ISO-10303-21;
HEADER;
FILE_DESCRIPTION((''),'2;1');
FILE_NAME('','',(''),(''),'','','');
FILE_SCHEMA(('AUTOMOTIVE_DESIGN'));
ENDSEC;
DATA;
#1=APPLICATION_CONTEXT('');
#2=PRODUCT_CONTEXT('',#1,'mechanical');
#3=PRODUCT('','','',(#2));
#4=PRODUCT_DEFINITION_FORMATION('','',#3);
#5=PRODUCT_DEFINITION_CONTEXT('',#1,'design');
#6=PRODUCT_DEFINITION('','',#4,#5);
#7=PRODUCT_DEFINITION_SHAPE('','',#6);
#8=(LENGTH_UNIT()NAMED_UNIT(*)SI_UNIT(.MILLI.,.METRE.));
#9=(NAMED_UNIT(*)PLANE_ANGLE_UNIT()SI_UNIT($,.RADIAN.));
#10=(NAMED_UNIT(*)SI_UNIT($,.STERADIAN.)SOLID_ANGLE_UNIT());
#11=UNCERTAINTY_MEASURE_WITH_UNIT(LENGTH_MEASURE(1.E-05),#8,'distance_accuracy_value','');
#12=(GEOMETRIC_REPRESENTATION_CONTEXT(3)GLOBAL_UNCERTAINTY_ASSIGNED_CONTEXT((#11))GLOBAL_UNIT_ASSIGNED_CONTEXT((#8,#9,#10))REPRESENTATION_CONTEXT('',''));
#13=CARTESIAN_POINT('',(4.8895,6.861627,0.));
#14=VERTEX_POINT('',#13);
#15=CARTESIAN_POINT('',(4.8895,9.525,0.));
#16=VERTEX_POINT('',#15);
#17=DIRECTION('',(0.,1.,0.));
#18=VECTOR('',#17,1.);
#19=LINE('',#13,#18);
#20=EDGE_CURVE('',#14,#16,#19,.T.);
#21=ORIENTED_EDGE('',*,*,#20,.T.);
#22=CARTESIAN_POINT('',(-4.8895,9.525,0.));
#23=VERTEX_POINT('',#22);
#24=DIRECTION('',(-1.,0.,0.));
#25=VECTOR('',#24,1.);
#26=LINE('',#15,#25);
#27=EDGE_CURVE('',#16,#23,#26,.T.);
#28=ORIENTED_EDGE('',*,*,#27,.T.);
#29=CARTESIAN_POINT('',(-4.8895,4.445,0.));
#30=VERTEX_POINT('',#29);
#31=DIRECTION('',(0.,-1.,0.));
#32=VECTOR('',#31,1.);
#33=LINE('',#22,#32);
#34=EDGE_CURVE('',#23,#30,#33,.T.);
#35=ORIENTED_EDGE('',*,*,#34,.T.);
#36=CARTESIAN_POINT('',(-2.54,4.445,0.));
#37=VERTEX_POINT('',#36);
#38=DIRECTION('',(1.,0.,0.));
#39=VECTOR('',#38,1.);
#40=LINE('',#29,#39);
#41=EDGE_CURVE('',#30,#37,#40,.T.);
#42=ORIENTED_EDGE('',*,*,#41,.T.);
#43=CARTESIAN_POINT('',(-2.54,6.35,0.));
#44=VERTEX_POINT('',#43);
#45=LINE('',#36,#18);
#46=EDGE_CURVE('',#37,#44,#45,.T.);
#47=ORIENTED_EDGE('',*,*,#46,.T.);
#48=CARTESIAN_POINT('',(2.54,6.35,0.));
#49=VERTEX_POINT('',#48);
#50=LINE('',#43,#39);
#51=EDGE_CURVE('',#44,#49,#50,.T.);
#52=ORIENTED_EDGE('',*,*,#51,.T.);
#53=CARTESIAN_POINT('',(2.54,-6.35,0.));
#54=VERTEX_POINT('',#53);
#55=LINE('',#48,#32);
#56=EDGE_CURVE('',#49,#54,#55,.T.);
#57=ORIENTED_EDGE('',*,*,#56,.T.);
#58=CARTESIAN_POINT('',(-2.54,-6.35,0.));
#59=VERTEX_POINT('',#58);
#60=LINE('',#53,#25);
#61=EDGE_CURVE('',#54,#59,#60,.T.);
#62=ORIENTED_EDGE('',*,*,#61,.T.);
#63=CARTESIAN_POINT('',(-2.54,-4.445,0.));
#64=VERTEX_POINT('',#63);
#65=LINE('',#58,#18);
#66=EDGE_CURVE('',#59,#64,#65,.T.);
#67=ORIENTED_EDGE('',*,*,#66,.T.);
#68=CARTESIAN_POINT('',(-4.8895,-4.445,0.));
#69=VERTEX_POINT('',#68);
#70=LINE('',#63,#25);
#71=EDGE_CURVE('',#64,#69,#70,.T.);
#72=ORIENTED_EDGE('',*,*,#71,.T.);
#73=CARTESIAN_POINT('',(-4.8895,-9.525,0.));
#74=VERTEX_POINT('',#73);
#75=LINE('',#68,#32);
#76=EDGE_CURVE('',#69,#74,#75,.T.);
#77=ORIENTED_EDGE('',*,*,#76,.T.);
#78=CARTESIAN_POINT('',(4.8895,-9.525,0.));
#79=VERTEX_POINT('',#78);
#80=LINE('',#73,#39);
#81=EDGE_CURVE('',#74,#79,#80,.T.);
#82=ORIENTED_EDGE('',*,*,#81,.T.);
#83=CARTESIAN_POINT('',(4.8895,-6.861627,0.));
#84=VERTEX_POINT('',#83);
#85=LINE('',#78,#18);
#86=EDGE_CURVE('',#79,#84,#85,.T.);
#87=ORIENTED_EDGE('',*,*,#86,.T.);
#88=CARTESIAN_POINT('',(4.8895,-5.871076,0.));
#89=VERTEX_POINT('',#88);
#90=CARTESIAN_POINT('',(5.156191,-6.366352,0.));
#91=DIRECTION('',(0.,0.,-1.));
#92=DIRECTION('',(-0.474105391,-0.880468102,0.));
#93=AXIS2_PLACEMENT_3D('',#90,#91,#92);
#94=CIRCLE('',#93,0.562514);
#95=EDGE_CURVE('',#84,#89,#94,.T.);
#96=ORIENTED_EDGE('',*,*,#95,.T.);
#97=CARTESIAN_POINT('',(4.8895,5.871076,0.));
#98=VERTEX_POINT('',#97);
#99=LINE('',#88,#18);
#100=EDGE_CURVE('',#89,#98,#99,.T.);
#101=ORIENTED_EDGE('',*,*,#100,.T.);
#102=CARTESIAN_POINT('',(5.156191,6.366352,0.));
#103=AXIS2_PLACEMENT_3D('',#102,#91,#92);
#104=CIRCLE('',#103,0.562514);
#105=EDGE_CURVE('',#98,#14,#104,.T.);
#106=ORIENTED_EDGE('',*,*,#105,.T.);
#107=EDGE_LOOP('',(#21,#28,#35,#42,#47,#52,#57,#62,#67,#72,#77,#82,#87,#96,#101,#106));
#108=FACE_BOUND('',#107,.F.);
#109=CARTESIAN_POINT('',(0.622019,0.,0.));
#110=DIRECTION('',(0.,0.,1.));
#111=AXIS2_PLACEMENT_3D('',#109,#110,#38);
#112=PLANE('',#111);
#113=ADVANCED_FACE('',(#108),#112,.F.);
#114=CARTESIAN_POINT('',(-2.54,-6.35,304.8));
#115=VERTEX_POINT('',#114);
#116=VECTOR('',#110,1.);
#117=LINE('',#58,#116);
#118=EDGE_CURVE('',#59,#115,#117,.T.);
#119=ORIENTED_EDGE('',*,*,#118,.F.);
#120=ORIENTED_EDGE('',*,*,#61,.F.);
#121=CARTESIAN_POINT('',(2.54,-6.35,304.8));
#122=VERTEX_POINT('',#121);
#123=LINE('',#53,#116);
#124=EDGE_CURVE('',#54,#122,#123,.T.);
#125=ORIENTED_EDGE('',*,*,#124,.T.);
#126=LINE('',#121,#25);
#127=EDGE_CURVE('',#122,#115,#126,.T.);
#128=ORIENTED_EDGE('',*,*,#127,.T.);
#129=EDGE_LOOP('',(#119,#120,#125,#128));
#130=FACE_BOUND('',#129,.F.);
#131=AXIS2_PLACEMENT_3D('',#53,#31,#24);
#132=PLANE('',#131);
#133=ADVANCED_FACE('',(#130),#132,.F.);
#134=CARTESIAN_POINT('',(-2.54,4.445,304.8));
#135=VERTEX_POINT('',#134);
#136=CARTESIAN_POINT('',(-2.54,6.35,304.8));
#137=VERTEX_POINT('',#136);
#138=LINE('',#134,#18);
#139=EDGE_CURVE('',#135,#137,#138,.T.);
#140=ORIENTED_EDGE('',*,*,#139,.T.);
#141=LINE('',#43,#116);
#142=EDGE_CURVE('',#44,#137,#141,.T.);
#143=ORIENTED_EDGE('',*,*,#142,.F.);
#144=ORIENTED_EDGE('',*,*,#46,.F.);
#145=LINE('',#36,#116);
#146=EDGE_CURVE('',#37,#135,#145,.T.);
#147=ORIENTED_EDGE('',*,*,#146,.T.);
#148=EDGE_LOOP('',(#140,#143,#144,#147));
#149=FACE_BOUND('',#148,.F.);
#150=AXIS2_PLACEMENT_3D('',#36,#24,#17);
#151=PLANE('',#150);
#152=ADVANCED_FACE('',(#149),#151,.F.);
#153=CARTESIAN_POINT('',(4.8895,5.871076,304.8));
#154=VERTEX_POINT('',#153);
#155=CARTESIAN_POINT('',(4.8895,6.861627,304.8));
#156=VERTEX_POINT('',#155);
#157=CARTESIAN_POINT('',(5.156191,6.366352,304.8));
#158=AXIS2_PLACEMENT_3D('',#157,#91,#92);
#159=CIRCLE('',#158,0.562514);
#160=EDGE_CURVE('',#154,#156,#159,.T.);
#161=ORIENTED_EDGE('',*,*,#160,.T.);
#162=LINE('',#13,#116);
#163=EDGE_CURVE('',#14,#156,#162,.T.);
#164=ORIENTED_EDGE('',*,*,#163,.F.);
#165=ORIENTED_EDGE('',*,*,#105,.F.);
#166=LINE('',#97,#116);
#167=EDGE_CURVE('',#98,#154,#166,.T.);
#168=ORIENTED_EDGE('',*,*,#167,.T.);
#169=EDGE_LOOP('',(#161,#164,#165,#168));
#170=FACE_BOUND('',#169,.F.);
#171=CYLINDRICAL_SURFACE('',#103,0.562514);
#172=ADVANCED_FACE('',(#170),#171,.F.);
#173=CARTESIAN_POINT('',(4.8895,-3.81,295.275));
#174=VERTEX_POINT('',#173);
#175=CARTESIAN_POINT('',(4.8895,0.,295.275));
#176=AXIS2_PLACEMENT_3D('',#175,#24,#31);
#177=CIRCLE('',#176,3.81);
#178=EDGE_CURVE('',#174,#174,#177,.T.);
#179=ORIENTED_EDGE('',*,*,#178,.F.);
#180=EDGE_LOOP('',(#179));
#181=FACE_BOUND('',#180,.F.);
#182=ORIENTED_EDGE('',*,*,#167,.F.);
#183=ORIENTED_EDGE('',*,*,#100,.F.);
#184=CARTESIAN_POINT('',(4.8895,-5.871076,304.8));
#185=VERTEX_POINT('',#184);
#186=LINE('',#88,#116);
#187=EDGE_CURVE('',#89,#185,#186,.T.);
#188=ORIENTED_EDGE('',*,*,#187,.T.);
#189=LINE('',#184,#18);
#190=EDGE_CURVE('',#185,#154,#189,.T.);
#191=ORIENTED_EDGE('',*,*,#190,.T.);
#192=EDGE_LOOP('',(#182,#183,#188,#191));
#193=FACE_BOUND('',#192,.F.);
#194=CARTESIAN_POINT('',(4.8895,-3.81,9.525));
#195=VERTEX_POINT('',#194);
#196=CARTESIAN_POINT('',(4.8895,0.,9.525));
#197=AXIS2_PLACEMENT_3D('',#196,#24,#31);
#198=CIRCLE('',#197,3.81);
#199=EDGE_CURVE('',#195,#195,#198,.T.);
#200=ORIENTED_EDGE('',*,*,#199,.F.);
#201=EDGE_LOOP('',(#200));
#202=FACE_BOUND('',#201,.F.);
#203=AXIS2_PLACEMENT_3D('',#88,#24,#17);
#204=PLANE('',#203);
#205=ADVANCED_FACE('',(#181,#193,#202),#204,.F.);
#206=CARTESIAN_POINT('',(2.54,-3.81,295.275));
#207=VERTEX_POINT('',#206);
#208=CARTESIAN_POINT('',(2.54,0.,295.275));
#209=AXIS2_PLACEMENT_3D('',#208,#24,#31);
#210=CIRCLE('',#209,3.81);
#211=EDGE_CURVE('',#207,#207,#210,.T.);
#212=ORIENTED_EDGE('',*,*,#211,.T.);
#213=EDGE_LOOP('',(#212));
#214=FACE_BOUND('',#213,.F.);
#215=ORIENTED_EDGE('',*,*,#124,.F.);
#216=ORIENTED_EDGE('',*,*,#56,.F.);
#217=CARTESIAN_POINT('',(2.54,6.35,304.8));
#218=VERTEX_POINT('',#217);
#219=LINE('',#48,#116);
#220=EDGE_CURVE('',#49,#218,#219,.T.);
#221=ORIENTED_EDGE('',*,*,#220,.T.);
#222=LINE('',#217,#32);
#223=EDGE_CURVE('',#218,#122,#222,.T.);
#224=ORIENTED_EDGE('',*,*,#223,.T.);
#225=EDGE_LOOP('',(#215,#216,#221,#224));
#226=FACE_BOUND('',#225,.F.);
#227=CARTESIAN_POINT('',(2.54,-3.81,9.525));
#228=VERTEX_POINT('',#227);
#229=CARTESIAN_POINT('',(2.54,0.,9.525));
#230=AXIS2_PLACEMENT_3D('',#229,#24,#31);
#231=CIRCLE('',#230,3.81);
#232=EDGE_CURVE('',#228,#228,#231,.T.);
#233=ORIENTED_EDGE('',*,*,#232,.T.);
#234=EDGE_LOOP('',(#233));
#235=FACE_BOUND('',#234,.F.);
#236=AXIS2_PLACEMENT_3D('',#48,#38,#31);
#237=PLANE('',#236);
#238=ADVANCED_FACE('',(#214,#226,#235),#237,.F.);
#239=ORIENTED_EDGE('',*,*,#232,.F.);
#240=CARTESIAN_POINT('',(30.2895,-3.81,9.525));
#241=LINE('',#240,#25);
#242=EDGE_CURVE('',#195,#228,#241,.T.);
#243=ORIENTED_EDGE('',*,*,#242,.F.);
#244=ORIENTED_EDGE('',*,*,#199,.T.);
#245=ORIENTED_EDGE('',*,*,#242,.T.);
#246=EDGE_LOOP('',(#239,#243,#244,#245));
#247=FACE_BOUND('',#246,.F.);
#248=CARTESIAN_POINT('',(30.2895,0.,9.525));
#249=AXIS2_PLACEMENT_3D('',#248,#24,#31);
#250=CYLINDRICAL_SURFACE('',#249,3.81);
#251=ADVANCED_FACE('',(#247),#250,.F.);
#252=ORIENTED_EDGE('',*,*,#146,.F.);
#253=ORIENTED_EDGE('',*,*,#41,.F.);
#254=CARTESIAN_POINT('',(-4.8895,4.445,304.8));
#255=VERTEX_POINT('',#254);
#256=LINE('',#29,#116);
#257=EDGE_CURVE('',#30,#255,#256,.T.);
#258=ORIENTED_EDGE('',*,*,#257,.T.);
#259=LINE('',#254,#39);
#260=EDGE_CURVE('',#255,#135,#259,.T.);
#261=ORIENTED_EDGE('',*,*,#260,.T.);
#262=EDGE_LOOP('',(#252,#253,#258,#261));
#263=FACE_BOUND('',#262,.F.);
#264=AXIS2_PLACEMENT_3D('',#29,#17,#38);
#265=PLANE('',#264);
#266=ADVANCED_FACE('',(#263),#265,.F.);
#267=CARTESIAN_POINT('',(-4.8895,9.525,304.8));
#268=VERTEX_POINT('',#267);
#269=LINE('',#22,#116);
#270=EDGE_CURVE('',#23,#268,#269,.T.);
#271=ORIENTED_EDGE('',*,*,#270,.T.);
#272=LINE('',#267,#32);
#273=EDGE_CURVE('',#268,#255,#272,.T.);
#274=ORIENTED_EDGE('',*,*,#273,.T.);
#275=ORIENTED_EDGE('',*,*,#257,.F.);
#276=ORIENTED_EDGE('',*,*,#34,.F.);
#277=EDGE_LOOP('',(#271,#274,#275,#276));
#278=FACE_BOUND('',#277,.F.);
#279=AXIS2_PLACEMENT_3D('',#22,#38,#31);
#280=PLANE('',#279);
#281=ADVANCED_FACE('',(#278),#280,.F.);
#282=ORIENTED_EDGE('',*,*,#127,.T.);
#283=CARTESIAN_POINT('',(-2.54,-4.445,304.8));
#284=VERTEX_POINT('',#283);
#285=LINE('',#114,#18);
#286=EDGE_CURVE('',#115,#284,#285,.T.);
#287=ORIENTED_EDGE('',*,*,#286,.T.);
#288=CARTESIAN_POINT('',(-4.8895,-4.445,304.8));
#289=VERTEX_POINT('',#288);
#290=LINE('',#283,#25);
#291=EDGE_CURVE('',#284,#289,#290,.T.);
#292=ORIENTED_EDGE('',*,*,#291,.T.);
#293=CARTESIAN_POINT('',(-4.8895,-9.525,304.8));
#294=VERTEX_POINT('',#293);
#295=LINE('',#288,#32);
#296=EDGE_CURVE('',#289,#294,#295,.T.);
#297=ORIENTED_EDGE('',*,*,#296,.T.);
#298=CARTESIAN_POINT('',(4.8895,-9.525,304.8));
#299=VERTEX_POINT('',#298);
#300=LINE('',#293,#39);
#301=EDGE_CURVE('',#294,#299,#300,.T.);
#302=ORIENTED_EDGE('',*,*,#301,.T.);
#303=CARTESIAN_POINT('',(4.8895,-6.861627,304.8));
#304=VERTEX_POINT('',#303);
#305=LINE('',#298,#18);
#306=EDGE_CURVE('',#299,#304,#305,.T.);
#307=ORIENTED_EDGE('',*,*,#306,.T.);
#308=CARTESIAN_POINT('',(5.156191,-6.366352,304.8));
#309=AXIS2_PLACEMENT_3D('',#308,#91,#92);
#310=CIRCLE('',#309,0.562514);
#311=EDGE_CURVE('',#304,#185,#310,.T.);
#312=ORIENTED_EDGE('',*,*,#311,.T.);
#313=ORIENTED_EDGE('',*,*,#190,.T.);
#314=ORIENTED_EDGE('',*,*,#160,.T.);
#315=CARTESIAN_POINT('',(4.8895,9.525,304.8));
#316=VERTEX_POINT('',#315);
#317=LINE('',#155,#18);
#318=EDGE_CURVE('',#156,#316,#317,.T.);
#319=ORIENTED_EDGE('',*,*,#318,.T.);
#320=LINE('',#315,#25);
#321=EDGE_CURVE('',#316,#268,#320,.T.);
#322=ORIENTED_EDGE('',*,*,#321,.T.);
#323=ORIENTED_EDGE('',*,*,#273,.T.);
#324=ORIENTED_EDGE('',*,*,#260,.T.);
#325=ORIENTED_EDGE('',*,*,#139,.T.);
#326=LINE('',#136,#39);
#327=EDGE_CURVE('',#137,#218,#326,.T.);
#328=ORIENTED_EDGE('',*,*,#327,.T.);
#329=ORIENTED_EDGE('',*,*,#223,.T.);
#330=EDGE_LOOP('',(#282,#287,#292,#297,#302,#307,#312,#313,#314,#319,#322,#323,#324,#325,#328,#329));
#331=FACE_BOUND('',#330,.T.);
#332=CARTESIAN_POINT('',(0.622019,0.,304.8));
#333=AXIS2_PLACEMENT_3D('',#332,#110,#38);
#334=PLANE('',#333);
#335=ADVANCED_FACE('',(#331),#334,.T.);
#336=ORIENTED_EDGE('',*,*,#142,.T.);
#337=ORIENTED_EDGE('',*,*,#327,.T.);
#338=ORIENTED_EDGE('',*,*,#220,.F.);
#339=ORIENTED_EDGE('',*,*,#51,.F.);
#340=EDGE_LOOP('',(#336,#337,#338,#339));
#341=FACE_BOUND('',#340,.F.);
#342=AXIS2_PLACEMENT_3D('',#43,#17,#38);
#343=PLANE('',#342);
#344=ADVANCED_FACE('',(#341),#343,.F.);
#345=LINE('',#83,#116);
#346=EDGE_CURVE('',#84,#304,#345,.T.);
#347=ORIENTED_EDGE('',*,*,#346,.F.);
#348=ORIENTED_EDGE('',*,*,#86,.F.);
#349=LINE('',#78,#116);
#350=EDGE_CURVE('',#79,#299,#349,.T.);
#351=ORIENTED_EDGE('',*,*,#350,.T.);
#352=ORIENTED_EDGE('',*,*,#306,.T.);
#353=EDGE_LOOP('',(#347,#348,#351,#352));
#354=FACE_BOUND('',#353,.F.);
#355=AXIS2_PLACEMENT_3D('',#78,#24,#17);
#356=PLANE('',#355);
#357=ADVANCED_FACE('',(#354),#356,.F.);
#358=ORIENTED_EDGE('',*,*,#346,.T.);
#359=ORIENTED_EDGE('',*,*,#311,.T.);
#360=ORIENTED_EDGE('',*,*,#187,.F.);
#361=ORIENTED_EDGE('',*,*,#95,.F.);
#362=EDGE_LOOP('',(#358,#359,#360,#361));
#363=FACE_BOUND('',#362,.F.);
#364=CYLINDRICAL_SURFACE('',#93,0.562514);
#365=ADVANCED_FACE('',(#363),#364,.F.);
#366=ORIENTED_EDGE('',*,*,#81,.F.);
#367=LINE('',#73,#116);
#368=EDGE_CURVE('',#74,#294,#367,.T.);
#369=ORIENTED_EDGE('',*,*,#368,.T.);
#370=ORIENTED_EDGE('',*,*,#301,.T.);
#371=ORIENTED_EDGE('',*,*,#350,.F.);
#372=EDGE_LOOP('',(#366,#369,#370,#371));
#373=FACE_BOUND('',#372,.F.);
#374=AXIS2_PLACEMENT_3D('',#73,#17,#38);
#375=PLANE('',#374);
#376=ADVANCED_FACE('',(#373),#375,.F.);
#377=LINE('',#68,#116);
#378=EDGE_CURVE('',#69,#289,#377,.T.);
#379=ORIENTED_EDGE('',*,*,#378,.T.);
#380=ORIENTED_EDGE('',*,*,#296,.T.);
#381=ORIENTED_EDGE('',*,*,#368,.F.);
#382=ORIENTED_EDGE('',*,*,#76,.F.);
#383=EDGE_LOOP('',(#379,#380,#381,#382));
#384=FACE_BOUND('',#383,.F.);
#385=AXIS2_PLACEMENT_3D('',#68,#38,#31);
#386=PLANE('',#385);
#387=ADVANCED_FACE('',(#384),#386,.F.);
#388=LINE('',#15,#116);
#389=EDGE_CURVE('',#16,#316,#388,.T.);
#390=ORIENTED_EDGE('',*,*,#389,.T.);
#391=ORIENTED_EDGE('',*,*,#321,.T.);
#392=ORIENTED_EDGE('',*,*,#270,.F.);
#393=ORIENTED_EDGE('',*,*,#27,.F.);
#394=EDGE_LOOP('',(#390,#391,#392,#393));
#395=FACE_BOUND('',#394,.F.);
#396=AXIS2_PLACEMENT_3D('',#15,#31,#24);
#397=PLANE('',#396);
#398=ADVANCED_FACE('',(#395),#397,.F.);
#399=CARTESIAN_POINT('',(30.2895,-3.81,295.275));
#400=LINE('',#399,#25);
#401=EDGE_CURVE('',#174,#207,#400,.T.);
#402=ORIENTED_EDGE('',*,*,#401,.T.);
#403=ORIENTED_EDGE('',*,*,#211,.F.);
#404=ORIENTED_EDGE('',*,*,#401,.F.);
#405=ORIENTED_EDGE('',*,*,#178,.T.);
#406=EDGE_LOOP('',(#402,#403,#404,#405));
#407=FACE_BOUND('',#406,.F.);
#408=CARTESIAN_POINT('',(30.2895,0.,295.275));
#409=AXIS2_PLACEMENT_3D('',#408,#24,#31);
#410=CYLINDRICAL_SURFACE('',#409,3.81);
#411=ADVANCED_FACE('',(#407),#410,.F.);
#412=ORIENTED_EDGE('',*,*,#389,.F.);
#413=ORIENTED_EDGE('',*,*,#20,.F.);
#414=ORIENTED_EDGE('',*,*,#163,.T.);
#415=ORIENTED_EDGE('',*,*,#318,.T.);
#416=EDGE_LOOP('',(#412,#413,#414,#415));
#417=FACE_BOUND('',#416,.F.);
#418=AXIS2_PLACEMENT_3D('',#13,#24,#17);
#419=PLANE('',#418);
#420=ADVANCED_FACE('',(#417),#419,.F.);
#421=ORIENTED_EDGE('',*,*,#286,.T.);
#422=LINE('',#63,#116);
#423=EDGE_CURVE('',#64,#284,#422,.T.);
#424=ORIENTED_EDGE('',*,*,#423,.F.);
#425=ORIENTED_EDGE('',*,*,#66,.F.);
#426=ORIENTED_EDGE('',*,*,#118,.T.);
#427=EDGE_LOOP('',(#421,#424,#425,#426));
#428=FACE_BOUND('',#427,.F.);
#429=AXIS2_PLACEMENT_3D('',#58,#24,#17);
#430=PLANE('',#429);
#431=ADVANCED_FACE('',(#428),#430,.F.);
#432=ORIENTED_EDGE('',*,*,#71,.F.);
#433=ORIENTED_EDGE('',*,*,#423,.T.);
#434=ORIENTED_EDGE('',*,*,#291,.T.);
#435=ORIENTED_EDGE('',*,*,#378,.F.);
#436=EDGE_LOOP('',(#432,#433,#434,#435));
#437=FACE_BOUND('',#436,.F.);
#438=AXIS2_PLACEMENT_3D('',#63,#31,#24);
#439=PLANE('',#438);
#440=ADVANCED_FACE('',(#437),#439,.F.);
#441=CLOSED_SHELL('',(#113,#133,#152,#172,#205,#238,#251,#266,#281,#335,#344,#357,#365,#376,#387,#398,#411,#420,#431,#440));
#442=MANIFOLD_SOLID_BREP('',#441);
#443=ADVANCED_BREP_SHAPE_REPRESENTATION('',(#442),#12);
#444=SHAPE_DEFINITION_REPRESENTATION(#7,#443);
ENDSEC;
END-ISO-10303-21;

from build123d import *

# Parameters (mm, degrees)
F1_DEPTH = 304.8
F3_D     = 7.62
F3_DEPTH = 25.4


with BuildPart() as f1:
    # F0 (on Top) → F1 (new body)
    with BuildSketch(Plane.XY):
        with BuildLine():
            Line((-4.8895, -9.525), (4.8895, -9.525))
            Line((4.8895, -9.525), (4.8895, -6.861627))
            ThreePointArc((4.8895, -6.861627), (4.593677, -6.366351), (4.8895, -5.871076))
            Line((4.8895, -5.871076), (4.8895, 5.871076))
            ThreePointArc((4.8895, 5.871076), (4.593677, 6.366351), (4.8895, 6.861627))
            Line((4.8895, 6.861627), (4.8895, 9.525))
            Line((4.8895, 9.525), (-4.8895, 9.525))
            Line((-4.8895, 9.525), (-4.8895, 4.445))
            Line((-4.8895, 4.445), (-2.54, 4.445))
            Line((-2.54, 4.445), (-2.54, 6.35))
            Line((-2.54, 6.35), (2.54, 6.35))
            Line((2.54, 6.35), (2.54, -6.35))
            Line((2.54, -6.35), (-2.54, -6.35))
            Line((-2.54, -6.35), (-2.54, -4.445))
            Line((-2.54, -4.445), (-4.8895, -4.445))
            Line((-4.8895, -4.445), (-4.8895, -9.525))
        make_face()
    extrude(amount=F1_DEPTH)

    # F3
    with Locations(Plane.YZ.offset(4.8895)):
        with Locations((0, 295.275), (0, 9.525)):
            Hole(F3_D / 2, depth=F3_DEPTH)


solid = f1.part
